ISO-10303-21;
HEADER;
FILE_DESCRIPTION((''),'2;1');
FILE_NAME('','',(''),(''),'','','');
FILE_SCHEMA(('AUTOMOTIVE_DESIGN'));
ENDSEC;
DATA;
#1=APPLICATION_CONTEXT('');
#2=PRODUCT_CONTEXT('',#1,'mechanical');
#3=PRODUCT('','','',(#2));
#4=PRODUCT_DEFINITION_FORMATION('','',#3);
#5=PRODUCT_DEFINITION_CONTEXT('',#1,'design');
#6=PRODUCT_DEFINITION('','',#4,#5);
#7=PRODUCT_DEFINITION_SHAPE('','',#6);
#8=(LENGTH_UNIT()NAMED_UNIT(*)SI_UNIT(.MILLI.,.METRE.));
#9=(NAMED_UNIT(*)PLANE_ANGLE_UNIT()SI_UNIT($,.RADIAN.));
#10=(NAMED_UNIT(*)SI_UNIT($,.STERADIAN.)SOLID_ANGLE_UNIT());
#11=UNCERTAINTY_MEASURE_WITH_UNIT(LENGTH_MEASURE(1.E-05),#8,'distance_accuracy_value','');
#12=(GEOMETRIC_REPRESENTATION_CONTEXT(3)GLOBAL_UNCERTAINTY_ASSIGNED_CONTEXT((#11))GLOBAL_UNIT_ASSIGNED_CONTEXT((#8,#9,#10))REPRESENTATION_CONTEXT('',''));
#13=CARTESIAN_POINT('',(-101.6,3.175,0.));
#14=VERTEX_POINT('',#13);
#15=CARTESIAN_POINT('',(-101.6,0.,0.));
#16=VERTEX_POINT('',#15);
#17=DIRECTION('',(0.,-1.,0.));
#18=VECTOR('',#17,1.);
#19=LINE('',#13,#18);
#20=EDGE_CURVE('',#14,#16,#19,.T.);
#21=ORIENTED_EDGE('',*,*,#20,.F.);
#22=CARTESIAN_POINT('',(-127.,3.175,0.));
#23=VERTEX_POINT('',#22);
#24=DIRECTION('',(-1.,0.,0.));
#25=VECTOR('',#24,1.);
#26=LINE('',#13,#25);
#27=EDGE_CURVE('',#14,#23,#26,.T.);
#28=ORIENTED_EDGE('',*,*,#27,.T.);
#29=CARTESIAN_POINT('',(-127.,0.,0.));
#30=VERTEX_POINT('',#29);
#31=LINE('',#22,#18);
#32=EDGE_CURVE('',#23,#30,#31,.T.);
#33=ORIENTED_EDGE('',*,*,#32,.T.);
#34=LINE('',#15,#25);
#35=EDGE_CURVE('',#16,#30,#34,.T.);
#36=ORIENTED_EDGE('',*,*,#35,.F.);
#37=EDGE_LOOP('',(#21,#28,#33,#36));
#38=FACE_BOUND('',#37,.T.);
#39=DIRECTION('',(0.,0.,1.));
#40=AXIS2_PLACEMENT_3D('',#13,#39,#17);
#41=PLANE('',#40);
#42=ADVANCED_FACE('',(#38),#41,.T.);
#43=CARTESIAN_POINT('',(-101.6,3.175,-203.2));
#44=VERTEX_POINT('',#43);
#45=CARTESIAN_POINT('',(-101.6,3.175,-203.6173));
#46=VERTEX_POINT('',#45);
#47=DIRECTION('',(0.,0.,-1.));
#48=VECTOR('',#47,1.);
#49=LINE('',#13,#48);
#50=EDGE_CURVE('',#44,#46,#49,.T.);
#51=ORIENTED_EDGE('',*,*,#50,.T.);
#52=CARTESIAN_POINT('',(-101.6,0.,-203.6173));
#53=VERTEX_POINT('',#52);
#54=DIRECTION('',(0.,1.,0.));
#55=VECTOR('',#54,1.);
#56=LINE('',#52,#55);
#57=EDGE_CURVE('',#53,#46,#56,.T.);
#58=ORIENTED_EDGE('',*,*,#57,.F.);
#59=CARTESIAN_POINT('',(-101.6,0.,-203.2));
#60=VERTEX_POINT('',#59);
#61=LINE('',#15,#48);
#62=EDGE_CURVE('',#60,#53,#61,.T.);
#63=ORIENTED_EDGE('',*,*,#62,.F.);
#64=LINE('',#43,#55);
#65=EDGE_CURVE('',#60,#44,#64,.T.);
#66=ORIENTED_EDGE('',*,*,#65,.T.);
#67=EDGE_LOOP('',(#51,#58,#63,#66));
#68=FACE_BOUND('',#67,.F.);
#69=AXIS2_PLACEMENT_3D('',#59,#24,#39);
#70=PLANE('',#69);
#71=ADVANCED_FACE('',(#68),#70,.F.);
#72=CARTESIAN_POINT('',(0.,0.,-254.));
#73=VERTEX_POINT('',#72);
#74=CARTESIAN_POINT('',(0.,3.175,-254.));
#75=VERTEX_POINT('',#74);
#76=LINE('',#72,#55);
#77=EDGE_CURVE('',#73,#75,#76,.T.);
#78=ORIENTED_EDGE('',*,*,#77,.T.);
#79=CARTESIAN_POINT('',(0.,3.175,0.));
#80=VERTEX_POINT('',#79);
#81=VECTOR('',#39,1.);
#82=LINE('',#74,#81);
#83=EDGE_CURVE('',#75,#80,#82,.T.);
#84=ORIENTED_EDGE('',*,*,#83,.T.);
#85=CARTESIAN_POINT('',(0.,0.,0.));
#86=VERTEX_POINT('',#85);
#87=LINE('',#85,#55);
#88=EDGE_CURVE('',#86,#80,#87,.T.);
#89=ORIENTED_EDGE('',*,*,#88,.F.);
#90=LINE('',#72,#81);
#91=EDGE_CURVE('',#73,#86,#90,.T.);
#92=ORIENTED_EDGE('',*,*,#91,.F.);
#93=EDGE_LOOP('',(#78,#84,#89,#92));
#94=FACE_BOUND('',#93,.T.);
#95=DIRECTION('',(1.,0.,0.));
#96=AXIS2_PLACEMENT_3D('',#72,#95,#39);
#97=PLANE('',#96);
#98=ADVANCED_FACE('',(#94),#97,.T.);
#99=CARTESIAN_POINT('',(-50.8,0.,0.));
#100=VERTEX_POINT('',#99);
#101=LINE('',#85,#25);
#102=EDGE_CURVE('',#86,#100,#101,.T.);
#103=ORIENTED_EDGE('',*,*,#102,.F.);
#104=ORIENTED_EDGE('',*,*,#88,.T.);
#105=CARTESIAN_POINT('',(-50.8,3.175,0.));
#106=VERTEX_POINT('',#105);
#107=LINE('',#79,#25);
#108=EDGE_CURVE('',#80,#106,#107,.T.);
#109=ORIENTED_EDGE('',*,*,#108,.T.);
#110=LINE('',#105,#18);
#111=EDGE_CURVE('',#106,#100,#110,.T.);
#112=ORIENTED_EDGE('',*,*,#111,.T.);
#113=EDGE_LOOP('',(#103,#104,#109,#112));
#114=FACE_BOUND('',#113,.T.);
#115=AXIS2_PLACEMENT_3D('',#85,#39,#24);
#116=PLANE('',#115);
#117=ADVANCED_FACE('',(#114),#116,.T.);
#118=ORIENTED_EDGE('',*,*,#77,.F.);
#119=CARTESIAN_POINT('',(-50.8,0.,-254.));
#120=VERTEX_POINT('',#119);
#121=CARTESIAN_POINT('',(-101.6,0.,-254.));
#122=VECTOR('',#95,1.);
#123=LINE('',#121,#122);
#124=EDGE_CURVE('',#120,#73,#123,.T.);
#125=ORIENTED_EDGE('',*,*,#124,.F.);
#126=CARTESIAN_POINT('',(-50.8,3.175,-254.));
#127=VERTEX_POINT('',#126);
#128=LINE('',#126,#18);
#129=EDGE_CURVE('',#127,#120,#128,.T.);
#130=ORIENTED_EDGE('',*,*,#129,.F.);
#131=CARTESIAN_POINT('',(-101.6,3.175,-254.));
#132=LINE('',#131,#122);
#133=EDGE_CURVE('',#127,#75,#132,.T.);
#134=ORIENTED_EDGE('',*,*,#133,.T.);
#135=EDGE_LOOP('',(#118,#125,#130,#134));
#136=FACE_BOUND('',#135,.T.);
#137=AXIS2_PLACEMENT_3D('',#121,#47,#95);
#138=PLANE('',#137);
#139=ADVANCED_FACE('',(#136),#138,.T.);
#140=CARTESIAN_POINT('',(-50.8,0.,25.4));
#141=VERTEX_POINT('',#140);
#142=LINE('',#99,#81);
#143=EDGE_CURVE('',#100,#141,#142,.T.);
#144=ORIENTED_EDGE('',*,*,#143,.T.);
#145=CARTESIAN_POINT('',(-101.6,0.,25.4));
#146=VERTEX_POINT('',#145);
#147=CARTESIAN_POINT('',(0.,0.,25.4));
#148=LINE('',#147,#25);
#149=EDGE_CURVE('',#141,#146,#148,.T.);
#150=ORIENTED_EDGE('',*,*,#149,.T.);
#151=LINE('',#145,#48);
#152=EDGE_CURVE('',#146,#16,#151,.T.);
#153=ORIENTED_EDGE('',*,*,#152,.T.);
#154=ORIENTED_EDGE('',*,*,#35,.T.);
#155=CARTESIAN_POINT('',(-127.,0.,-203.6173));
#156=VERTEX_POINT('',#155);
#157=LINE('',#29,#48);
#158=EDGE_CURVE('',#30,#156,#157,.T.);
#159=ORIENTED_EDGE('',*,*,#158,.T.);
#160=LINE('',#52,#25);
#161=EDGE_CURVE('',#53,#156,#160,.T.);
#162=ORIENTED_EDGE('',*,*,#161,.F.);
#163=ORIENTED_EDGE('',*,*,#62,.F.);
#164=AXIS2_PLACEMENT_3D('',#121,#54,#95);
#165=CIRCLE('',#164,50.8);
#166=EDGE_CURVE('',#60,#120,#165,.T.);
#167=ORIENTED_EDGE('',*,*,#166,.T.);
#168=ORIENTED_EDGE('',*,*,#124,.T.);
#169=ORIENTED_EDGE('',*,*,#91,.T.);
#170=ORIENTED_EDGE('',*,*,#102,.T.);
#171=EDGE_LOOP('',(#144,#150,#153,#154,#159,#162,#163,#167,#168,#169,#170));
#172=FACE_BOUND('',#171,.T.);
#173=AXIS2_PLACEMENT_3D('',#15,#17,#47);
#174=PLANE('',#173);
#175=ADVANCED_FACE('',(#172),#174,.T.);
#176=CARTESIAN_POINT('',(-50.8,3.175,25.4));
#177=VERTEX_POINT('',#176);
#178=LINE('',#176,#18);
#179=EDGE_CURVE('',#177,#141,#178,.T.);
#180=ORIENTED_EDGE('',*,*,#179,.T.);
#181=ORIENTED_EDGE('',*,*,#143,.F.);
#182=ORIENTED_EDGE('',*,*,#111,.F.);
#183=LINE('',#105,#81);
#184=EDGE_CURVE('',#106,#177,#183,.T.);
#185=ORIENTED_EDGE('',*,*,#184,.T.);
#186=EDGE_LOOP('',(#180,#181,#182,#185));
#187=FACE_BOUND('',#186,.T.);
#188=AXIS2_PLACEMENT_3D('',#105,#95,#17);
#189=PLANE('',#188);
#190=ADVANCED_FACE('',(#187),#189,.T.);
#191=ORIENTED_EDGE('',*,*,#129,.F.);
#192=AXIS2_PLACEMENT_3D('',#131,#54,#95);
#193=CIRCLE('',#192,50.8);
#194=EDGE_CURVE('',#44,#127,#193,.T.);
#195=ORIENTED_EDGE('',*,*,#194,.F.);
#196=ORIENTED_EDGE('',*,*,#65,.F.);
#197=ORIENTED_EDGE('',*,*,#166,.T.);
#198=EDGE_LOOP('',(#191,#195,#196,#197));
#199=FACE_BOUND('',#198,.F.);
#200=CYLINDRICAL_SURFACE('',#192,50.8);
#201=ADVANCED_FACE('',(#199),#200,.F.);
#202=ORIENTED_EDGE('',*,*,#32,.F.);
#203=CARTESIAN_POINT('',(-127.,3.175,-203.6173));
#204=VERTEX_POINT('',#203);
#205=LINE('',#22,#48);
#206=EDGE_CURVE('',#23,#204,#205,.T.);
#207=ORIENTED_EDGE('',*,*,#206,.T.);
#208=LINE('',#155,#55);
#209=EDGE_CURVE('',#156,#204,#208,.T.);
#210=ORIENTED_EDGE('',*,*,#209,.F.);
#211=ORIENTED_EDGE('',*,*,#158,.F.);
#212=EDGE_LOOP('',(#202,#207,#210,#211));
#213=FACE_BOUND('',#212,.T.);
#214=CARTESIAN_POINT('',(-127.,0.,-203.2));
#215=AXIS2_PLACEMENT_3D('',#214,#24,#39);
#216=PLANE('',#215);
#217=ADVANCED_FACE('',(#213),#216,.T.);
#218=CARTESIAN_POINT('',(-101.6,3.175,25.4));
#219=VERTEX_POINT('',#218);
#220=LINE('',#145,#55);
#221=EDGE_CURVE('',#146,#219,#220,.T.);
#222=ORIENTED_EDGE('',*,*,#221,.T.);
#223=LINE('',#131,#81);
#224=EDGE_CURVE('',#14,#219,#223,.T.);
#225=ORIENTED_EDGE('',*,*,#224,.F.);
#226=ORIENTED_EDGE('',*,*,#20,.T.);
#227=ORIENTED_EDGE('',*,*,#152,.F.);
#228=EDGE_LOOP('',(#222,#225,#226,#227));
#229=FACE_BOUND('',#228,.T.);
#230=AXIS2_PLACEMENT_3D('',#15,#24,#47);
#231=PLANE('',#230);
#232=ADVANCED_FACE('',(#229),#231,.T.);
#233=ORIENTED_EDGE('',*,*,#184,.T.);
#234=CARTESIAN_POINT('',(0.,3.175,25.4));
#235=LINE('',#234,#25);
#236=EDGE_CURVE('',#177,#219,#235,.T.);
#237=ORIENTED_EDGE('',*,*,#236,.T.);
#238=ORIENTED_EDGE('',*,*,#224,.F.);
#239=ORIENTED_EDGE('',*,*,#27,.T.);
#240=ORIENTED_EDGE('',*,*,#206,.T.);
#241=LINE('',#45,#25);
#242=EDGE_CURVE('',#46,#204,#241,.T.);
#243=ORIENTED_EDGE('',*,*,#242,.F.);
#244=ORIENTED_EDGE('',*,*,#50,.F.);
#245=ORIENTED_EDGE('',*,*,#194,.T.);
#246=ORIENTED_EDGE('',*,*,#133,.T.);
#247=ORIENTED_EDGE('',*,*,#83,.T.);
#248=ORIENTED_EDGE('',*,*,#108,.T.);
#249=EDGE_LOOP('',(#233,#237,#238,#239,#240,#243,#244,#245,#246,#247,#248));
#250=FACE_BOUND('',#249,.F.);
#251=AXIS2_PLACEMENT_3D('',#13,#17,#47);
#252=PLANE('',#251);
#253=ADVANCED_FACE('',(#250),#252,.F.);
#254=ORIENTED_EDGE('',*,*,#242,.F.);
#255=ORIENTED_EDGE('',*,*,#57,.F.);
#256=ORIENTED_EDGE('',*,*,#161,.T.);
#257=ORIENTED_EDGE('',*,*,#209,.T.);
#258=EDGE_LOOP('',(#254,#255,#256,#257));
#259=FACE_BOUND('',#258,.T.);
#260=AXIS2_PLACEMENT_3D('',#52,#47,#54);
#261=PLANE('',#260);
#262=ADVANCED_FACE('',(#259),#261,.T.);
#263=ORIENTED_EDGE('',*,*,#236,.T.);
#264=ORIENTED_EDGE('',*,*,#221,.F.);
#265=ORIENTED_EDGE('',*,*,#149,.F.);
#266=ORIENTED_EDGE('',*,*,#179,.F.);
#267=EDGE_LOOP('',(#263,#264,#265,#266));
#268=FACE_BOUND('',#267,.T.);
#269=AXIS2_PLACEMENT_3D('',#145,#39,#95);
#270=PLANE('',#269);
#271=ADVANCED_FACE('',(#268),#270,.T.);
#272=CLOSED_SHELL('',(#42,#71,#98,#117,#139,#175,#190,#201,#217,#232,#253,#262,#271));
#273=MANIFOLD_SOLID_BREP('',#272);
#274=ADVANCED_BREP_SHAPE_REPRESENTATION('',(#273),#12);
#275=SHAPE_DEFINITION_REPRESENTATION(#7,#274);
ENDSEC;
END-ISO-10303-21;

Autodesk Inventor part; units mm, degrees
ref_plane "YZ Plane" through (0, 0, 0) normal (1, 0, 0) x (0, 1, 0)
ref_plane "XZ Plane" through (0, 0, 0) normal (0, 1, 0) x (-1, 0, 0)
ref_plane "XY Plane" through (0, 0, 0) normal (0, 0, 1) x (1, 0, 0)
sketch "Sketch1" plane through (0, 0, 0) normal (0, 1, 0) x (-1, 0, 0)
  line L0 (0, 0) -> (101.6, 0)
  line L1 (101.6, 0) -> (101.6, -254)
  line L2 (101.6, -254) -> (0, -254)
  line L3 (0, -254) -> (0, 0)
  dimension "d0" = 254
  dimension "d1" = 101.6
extrude "Extrusion1" add sketch "Sketch1" along normal blind 3.175
sketch "Sketch2" plane through (-101.6, 0, 0) normal (0, 0, 1) x (1, 0, 0)
  line L0 (101.6, 3.175) -> (0, 3.175) projected
  line L1 (101.6, 0) -> (0, 0) projected
  line L2 (0, 3.175) -> (50.8, 3.175)
  line L3 (50.8, 3.175) -> (50.8, 0)
  line L4 (50.8, 0) -> (0, 0)
  line L5 (0, 0) -> (0, 3.175)
extrude "Extrusion2" add sketch "Sketch2" along normal blind 25.4
sketch "Sketch3" plane through (0, 3.175, 0) normal (0, 1, 0) x (1, 0, 0)
  circle A0 centre (-101.6, 254) radius 50.8
  point P0 (0, 0)
  dimension "d6" = 101.6
extrude "Extrusion3" cut sketch "Sketch3" against normal blind 25.4
sketch "Sketch4" plane through (-101.6, 0, -203.2) normal (-1, 0, 0) x (0, 0, 1)
  line L0 (203.2, 3.175) -> (-50.8, 3.175) projected
  line L1 (203.2, 0) -> (-0.4173, 0)
  line L2 (-0.4173, 0) -> (-0.4173, 3.175)
  line L3 (-0.4173, 3.175) -> (203.2, 3.175)
  line L4 (203.2, 3.175) -> (203.2, 0)
extrude "Extrusion4" add sketch "Sketch4" along normal blind 25.4
properties part number "Rotation Board"
